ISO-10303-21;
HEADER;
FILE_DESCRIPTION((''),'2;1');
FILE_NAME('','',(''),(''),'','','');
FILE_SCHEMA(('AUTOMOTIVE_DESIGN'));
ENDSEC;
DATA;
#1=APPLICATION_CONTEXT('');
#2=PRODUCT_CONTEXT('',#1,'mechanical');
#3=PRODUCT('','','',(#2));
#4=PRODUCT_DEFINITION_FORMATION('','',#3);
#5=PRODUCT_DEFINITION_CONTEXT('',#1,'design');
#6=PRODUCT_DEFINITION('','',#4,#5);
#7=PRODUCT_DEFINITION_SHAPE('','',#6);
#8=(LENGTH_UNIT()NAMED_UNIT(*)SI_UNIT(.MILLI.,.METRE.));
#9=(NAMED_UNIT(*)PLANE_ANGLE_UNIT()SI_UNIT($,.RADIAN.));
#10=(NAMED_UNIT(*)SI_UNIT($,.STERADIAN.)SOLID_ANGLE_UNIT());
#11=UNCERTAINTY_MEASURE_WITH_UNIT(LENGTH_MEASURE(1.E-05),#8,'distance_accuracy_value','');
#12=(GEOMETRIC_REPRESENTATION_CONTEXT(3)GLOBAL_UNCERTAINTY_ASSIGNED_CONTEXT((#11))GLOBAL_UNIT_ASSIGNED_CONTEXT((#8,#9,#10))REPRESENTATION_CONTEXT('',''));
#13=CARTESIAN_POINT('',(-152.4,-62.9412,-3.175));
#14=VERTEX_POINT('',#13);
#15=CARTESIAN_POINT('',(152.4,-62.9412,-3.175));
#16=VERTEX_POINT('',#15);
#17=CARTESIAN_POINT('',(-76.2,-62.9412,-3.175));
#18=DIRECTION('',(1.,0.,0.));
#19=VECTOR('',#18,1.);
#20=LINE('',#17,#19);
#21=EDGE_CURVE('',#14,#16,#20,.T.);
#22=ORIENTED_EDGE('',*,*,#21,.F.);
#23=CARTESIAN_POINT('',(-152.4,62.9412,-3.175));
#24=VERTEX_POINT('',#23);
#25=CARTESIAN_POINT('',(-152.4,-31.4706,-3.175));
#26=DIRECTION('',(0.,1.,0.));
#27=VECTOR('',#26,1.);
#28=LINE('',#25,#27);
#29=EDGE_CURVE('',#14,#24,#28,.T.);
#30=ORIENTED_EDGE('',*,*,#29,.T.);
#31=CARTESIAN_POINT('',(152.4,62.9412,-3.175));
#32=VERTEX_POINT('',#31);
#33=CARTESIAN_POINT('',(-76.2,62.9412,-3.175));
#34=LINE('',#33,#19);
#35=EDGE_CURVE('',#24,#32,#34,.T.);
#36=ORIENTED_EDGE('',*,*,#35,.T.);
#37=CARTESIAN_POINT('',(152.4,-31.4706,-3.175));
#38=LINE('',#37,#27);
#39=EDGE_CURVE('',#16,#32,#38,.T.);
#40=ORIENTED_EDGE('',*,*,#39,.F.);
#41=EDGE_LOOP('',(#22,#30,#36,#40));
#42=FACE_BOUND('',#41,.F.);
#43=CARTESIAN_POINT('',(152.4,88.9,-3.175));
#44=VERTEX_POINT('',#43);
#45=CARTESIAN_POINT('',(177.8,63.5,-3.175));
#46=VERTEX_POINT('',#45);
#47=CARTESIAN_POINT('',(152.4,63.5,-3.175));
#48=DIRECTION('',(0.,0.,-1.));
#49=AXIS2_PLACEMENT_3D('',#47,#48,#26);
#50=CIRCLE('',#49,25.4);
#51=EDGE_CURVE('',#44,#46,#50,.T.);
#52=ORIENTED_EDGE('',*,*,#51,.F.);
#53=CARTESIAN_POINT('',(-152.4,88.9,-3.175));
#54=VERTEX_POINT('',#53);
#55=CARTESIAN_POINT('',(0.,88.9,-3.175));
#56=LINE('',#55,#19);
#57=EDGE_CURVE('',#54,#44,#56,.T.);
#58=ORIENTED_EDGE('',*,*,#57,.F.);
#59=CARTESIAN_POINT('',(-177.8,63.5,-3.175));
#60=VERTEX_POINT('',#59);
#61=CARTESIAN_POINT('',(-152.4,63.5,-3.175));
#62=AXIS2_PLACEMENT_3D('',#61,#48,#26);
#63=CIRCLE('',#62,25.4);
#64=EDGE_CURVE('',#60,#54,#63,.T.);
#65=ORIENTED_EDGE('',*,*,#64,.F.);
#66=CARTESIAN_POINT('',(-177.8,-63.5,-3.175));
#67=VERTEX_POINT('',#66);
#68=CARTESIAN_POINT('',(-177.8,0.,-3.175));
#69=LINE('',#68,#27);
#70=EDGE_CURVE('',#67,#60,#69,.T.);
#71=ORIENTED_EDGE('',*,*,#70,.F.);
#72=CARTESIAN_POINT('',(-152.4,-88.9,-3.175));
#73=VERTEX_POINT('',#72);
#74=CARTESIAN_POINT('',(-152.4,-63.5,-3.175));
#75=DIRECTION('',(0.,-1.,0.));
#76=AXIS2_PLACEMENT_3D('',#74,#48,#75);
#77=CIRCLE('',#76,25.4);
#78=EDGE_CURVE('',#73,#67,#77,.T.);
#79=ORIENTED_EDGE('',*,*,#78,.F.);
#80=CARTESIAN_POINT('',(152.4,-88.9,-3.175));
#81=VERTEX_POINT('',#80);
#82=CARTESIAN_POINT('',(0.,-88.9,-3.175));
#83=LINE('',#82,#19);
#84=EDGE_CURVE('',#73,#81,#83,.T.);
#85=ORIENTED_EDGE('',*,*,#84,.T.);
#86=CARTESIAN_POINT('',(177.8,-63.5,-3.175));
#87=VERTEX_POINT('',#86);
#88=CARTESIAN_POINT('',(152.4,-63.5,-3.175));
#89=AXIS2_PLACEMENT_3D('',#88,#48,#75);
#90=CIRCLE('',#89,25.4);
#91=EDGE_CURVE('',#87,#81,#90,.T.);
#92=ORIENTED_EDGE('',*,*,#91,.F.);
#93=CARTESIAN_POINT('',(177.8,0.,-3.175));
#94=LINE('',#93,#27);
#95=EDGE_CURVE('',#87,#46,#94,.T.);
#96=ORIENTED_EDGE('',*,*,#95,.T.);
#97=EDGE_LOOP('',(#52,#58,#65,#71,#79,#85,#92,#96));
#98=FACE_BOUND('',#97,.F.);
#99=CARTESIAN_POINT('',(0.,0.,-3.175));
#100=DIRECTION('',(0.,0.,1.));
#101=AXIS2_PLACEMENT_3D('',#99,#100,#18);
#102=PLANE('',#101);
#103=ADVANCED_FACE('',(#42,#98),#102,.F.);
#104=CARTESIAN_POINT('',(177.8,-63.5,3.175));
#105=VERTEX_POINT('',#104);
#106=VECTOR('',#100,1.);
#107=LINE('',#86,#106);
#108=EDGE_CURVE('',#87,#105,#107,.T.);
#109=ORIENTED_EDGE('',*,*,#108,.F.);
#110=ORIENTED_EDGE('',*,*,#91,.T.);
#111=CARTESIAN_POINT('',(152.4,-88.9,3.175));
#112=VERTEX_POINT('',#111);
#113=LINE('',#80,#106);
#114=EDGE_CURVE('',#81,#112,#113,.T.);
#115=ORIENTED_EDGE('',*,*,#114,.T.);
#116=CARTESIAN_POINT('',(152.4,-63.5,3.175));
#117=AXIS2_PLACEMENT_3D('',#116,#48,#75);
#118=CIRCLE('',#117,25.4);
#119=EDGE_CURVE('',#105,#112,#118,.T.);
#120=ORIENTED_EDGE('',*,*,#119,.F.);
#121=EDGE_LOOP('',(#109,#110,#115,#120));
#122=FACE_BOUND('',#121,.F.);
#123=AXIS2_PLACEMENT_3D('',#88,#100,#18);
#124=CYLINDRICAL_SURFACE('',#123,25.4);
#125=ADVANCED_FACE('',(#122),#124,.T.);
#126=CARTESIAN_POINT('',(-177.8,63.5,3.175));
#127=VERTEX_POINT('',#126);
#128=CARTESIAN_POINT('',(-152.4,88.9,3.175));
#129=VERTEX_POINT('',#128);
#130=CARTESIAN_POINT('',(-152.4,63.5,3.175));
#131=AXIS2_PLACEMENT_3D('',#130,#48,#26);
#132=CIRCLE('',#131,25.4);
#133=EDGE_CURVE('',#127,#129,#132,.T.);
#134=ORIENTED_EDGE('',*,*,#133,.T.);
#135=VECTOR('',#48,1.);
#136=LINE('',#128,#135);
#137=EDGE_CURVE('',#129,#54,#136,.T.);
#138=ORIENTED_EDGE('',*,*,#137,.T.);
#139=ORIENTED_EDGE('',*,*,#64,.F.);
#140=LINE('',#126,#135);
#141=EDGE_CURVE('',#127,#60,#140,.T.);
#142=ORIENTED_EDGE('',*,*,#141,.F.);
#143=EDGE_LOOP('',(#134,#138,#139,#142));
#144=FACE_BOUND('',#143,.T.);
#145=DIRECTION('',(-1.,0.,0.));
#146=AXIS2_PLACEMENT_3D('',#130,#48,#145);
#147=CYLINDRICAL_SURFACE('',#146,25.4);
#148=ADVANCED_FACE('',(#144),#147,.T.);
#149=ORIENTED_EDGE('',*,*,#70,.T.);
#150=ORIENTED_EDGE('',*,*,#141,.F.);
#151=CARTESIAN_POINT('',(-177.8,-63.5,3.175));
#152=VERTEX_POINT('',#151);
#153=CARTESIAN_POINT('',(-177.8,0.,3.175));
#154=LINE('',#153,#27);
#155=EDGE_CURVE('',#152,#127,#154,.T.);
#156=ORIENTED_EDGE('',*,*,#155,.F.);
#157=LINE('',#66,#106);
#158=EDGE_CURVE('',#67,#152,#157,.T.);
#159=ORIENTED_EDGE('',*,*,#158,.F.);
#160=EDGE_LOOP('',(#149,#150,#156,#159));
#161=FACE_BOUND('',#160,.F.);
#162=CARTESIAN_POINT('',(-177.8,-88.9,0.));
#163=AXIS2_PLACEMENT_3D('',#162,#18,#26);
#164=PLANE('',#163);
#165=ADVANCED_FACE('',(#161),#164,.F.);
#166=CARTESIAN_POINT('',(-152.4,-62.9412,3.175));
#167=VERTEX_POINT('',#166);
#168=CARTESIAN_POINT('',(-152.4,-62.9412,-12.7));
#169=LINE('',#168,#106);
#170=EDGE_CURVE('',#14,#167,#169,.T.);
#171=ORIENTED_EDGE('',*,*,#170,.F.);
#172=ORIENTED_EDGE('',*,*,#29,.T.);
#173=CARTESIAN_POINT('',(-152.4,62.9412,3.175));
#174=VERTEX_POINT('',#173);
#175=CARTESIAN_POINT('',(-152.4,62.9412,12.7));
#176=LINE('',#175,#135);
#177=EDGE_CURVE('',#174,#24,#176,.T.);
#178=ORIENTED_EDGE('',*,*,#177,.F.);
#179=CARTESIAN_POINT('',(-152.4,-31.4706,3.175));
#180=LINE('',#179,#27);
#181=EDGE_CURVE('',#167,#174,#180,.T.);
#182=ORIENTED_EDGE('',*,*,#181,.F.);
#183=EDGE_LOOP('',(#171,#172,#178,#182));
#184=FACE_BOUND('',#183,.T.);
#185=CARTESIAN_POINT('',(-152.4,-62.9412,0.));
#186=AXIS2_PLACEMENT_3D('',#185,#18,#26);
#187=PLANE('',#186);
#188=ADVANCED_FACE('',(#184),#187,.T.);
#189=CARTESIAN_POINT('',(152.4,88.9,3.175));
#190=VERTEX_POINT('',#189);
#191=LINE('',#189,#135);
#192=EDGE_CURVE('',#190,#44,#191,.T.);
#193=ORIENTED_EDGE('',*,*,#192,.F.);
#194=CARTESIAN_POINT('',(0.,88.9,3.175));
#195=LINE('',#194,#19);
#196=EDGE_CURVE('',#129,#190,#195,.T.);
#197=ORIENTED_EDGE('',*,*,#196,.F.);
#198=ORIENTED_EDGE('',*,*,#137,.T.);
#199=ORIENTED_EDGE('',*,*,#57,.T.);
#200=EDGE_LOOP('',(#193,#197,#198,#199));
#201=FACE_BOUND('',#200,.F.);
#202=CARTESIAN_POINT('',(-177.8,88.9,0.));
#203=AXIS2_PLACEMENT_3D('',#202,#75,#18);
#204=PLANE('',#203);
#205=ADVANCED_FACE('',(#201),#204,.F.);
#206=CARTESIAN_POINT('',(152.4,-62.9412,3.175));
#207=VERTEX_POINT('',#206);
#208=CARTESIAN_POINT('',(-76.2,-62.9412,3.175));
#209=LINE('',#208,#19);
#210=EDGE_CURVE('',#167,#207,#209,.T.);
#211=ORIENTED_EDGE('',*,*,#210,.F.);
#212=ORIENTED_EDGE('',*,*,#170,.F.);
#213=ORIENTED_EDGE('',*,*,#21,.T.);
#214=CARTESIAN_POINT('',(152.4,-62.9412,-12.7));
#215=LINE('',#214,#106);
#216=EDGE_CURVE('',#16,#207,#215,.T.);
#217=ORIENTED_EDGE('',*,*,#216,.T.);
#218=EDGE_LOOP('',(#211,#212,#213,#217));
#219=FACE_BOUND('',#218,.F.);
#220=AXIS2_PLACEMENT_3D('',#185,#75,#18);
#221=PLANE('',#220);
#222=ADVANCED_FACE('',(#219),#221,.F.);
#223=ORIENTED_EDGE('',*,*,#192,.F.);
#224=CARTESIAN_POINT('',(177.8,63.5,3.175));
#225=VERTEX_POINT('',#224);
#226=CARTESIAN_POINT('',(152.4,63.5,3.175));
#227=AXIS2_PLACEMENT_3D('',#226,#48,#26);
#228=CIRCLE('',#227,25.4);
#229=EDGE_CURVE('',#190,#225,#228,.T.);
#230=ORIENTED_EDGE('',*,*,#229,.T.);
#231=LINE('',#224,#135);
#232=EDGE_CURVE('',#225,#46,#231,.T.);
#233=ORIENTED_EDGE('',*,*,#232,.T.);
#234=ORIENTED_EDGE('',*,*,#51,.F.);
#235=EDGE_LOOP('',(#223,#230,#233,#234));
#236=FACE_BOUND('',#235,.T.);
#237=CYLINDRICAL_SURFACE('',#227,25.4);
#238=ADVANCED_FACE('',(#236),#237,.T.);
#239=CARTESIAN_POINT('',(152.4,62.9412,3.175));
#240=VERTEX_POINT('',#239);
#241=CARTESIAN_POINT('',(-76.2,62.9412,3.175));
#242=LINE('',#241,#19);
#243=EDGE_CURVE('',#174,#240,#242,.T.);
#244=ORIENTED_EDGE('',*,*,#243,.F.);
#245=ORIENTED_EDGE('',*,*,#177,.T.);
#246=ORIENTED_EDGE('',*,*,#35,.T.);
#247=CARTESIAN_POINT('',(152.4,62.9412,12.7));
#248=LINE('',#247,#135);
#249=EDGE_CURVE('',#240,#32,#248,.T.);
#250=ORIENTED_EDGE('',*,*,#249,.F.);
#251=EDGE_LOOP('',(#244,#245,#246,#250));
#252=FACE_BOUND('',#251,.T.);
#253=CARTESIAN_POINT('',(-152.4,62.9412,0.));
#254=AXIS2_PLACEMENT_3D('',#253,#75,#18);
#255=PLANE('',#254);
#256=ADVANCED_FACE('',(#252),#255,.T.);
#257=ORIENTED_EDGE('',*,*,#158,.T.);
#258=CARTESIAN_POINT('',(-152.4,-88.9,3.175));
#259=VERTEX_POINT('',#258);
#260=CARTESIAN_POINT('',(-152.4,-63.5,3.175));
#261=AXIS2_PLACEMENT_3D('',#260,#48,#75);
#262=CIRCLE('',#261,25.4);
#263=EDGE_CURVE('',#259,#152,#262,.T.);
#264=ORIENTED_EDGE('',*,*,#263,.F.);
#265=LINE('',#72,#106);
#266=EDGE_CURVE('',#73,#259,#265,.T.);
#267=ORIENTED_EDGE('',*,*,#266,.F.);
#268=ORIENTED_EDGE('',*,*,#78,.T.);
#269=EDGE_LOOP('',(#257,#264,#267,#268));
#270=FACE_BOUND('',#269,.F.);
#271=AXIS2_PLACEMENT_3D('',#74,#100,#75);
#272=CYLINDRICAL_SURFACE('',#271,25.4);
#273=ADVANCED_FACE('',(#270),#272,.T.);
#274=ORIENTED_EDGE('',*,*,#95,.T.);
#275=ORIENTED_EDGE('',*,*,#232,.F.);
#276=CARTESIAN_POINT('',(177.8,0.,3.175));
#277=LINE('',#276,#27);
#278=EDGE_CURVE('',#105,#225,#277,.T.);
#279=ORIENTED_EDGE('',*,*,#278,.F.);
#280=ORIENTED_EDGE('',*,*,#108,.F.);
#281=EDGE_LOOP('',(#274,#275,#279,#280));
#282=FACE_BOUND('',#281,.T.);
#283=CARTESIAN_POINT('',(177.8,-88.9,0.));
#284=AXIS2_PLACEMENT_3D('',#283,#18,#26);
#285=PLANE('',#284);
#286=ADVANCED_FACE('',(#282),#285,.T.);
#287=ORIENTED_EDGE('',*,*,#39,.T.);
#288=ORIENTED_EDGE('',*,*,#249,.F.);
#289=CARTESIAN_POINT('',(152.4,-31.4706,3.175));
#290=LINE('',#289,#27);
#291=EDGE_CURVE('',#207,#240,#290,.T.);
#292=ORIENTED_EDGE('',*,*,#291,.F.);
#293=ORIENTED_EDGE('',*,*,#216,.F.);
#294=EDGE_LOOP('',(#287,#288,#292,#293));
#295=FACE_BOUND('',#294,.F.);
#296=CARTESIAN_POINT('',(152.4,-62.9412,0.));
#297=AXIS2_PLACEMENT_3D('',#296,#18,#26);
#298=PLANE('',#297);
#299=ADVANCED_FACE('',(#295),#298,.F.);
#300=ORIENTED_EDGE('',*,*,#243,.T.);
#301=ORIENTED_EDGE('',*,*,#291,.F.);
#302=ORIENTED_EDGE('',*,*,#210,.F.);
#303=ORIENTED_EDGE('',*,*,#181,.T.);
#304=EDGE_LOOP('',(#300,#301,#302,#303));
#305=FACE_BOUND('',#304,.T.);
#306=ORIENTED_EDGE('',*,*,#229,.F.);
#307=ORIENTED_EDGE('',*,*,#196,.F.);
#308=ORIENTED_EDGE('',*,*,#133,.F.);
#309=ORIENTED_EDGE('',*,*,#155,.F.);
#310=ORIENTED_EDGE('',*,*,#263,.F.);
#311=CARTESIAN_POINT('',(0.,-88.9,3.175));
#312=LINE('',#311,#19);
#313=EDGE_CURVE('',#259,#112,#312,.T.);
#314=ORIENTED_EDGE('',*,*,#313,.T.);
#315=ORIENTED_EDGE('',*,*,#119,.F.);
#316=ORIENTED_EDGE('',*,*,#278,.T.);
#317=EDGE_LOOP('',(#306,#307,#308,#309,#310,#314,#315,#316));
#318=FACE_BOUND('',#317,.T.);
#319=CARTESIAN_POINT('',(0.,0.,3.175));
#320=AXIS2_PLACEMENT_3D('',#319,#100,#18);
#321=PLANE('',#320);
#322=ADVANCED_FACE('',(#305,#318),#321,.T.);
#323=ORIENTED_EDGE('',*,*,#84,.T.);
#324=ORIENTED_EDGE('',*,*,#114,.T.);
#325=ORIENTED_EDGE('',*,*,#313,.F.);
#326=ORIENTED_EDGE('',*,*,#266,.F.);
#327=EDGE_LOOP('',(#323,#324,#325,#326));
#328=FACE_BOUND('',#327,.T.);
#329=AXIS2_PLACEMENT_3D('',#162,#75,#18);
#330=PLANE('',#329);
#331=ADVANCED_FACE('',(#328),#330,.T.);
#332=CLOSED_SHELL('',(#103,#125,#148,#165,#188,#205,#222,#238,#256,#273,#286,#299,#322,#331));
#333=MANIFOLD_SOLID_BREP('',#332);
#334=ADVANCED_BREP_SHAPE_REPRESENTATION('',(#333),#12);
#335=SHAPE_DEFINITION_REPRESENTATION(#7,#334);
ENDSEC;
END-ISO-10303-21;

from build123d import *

# Parameters (mm, degrees)
F0_W     = 304.8
F0_H     = 125.8824
F1_DEPTH = 3.175
F2_W     = 355.6
F2_H     = 177.8
F3_DEPTH = 3.175
F4_DEPTH = 12.7
F5_R     = 25.4
F6_R     = 25.4
F7_R     = 25.4
F8_R     = 25.4


with BuildPart() as f1:
    # F0 (on Top) → F1 (new body, symmetric)
    with BuildSketch(Plane.XY):
        Rectangle(F0_W, F0_H)
    extrude(amount=F1_DEPTH, both=True)

    # F2 (on Top) → F3 (join, symmetric)
    with BuildSketch(Plane.XY):
        Rectangle(F2_W, F2_H)
    extrude(amount=F3_DEPTH, both=True)

    # F0 (on Top) → F4 (cut, symmetric)
    with BuildSketch(Plane.XY):
        Rectangle(F0_W, F0_H)
    extrude(amount=F4_DEPTH, both=True, mode=Mode.SUBTRACT)

    # F5
    f5_edges = [f1.edges().sort_by_distance(p)[0] for p in [
        (-177.8, 88.9, 0),
    ]]
    fillet(f5_edges, radius=F5_R)

    # F6
    f6_edges = [f1.edges().sort_by_distance(p)[0] for p in [
        (177.8, 88.9, 0),
    ]]
    fillet(f6_edges, radius=F6_R)

    # F7
    f7_edges = [f1.edges().sort_by_distance(p)[0] for p in [
        (177.8, -88.9, 0),
    ]]
    fillet(f7_edges, radius=F7_R)

    # F8
    f8_edges = [f1.edges().sort_by_distance(p)[0] for p in [
        (-177.8, -88.9, 0),
    ]]
    fillet(f8_edges, radius=F8_R)


solid = f1.part
